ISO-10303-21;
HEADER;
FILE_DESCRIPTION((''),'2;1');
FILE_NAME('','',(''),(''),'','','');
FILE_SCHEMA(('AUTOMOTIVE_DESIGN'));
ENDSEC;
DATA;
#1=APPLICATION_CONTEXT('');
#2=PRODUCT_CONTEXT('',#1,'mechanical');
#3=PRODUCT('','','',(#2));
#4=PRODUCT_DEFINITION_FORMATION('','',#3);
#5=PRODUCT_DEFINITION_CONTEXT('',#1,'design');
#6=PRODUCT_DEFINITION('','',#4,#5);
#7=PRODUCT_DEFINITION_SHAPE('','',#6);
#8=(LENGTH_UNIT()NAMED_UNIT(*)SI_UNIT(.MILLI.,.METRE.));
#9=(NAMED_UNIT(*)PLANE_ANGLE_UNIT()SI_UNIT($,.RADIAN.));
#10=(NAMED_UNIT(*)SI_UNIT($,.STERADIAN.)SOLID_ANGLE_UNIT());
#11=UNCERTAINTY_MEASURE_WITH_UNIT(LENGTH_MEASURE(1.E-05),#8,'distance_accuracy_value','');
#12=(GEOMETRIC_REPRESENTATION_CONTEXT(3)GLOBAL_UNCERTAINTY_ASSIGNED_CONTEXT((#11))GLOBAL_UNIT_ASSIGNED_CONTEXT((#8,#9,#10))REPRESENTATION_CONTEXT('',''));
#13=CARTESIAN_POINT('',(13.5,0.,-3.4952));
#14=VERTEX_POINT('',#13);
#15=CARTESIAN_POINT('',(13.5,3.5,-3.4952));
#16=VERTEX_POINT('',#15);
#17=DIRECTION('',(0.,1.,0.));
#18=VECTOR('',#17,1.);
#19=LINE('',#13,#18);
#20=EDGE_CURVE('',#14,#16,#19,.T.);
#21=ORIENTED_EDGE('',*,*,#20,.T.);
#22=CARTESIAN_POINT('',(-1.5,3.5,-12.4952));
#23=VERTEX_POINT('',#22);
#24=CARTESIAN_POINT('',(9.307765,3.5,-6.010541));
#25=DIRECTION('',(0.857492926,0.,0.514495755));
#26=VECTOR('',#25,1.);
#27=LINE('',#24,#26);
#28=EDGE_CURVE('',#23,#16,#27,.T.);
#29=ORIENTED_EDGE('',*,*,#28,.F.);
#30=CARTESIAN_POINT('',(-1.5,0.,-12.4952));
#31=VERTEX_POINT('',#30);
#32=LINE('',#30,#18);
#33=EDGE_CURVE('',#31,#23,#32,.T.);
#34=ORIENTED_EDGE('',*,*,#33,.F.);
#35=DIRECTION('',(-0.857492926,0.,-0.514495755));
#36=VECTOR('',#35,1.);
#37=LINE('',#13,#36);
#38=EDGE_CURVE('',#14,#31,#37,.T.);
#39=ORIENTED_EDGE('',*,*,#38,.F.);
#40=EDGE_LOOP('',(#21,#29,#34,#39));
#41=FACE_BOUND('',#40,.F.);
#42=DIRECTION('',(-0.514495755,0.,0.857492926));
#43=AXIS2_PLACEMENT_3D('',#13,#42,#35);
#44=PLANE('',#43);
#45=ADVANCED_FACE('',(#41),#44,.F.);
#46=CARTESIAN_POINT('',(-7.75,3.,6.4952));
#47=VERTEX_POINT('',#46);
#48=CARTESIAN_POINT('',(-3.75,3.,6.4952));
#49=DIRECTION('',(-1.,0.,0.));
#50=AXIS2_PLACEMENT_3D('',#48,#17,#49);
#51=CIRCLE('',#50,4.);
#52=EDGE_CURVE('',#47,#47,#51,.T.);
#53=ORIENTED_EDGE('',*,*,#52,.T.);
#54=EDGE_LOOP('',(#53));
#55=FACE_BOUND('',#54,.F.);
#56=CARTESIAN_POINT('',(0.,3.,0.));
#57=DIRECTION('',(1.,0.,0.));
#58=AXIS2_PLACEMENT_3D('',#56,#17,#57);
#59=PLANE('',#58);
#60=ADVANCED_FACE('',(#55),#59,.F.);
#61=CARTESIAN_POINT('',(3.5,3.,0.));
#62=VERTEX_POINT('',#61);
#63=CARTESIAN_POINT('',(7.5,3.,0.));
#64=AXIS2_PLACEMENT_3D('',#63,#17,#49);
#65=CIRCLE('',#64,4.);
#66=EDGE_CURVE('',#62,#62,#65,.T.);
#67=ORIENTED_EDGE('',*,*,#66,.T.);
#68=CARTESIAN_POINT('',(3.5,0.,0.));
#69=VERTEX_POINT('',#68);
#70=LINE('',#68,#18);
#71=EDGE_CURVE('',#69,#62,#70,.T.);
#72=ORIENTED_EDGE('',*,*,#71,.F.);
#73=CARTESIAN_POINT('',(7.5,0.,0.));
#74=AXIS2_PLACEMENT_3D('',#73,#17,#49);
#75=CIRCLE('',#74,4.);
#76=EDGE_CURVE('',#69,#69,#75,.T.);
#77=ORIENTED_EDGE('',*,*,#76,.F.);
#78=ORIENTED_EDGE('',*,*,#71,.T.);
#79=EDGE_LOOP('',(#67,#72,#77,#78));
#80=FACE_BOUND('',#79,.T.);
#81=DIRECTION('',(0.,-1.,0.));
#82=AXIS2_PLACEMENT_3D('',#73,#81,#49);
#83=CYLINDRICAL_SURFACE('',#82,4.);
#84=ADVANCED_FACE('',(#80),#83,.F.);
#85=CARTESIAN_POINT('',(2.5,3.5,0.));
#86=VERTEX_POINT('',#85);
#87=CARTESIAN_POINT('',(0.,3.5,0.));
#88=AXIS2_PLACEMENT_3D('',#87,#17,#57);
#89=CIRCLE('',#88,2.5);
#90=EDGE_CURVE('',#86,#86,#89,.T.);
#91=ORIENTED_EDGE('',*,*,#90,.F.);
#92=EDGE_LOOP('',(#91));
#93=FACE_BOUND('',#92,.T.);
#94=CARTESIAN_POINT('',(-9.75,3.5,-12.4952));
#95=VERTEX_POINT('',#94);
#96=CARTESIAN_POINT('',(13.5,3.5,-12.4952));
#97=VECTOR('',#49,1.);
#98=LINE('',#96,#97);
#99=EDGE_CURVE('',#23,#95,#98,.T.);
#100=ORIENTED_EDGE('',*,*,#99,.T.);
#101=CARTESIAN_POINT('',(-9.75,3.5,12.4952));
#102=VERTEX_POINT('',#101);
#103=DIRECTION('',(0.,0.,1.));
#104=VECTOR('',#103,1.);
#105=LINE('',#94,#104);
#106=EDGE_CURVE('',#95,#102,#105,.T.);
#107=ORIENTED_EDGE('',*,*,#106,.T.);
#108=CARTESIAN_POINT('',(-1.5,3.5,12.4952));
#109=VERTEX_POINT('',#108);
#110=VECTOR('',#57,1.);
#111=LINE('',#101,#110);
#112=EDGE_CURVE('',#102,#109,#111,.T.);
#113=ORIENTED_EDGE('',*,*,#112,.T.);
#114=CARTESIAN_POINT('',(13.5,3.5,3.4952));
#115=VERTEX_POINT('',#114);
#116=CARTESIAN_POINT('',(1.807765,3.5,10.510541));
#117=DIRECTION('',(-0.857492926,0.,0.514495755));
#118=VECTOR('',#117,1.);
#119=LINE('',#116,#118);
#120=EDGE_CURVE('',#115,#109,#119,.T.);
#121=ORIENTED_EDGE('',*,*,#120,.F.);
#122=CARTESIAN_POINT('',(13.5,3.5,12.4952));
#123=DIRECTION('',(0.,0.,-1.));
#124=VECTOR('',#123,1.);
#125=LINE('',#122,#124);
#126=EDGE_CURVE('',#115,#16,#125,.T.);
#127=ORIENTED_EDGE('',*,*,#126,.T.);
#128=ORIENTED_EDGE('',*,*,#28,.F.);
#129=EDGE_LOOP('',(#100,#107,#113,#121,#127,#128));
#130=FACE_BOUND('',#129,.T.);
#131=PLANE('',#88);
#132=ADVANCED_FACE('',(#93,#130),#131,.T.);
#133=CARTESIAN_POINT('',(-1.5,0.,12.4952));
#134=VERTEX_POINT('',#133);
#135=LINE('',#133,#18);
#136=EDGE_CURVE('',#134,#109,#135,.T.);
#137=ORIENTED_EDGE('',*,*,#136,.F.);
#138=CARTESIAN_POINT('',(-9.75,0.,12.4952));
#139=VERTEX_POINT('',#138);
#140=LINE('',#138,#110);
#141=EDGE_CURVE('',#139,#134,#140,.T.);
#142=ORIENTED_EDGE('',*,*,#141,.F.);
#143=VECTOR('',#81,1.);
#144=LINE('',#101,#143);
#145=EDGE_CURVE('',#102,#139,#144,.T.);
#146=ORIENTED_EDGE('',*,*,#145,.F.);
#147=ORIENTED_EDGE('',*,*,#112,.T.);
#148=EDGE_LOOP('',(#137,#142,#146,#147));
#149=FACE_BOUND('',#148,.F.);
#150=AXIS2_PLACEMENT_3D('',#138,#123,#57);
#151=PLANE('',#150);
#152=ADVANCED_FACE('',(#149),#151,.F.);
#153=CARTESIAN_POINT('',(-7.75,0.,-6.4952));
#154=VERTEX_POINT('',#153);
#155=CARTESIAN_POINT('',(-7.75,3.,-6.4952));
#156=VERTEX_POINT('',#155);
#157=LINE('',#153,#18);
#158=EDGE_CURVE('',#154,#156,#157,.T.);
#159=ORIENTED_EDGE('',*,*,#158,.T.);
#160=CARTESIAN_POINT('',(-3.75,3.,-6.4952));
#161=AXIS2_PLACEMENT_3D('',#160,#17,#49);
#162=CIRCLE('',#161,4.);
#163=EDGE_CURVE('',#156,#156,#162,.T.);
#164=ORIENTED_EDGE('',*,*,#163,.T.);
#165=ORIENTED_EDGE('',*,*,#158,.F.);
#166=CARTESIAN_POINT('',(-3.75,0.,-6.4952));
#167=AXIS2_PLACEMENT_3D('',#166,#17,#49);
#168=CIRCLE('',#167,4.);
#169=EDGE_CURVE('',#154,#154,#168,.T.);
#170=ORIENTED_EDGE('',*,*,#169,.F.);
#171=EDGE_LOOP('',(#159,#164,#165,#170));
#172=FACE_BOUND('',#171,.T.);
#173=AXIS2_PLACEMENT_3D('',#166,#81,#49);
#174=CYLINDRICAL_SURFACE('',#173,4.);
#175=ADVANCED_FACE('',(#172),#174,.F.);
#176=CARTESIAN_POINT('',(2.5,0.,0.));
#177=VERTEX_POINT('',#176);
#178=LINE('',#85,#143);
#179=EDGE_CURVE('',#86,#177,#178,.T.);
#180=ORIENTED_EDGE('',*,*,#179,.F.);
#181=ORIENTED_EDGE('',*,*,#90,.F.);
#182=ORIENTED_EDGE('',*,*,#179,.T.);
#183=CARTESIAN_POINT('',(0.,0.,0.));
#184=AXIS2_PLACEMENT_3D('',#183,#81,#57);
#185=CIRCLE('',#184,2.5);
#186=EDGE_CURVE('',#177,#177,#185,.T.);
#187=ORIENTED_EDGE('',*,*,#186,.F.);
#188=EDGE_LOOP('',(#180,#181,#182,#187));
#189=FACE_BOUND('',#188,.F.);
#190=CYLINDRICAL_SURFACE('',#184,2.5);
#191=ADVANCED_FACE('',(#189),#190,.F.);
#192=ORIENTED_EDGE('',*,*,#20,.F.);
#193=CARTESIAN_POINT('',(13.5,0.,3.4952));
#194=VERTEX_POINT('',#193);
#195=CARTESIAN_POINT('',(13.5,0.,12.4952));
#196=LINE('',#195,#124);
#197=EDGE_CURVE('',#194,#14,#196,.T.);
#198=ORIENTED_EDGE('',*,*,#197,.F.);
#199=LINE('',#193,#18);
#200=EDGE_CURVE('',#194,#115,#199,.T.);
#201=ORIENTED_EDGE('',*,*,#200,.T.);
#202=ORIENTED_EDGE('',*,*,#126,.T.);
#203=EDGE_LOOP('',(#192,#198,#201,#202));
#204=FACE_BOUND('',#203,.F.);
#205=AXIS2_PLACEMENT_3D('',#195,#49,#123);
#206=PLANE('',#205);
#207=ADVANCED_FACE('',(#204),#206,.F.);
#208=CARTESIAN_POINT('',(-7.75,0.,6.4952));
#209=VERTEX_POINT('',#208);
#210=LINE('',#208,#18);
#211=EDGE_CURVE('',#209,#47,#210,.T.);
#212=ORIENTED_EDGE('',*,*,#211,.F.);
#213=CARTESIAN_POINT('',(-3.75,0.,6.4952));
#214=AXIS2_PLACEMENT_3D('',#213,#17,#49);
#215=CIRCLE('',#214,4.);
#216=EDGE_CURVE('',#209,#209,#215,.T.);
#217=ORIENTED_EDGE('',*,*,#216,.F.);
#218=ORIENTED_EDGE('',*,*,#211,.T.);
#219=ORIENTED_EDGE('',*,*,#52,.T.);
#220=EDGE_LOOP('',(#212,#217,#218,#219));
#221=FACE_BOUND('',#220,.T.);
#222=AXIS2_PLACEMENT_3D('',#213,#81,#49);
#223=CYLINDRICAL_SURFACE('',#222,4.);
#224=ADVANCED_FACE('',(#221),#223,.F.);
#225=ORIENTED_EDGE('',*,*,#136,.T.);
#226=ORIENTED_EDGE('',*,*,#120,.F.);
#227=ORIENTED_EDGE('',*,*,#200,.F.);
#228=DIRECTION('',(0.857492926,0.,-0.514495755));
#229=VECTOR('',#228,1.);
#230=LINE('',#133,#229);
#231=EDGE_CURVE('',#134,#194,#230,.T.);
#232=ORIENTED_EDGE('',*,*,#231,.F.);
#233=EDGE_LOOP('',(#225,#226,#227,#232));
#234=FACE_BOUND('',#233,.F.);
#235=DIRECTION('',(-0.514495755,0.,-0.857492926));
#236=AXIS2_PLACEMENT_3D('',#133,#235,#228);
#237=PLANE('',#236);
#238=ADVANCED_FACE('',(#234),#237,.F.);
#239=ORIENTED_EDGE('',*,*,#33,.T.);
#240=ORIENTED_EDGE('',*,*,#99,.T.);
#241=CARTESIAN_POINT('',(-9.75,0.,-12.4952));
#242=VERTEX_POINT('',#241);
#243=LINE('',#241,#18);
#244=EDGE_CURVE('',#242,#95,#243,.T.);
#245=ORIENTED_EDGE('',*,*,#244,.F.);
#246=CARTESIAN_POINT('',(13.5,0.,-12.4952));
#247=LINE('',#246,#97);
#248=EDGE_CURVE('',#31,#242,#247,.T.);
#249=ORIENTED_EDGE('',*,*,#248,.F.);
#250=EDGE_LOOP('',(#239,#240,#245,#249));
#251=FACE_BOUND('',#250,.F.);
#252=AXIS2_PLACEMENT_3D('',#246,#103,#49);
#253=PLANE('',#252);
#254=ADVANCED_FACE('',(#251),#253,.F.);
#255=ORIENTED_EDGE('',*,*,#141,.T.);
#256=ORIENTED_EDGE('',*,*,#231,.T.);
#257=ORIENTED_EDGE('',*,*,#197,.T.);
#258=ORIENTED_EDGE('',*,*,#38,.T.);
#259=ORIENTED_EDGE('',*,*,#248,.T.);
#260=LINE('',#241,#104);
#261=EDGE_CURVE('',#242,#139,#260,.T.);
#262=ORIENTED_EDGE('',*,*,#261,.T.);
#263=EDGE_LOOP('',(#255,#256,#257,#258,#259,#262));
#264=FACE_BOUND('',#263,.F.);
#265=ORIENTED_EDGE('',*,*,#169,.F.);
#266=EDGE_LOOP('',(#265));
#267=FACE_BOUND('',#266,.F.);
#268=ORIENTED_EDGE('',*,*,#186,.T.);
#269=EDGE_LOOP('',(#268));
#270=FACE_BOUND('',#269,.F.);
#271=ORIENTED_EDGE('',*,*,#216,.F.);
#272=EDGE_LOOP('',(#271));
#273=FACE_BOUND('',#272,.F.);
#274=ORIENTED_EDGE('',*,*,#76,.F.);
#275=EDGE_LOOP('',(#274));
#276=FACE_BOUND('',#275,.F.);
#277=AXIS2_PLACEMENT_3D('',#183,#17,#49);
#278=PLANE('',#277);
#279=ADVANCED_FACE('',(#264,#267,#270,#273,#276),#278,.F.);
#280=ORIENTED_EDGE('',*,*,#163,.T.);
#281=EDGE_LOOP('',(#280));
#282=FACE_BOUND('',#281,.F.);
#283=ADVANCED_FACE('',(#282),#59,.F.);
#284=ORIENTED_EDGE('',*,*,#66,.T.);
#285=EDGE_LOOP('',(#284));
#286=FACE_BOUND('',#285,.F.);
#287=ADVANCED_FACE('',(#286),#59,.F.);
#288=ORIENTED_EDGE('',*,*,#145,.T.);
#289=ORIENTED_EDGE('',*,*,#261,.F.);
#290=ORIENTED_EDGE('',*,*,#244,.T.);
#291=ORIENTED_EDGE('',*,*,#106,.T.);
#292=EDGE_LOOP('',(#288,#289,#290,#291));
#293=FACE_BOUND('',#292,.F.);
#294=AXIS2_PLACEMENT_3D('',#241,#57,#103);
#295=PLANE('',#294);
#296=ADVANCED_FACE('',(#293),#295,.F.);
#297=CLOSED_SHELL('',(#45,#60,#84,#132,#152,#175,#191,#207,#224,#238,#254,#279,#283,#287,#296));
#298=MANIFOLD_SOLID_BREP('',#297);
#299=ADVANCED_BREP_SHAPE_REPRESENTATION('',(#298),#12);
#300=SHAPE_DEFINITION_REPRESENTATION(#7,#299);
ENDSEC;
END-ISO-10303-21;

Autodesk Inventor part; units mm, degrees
ref_plane "YZ Plane" through (0, 0, 0) normal (1, 0, 0) x (0, 1, 0)
ref_plane "XZ Plane" through (0, 0, 0) normal (0, 1, 0) x (-1, 0, 0)
ref_plane "XY Plane" through (0, 0, 0) normal (0, 0, 1) x (1, 0, 0)
sketch "Sketch1" plane through (0, 0, 0) normal (0, 1, 0) x (-1, 0, 0)
  line L0 (-13.5, -12.4952) -> (9.75, -12.4952)
  line L1 (9.75, -12.4952) -> (9.75, 12.4952)
  line L2 (9.75, 12.4952) -> (-13.5, 12.4952)
  line L3 (-13.5, 12.4952) -> (-13.5, -12.4952)
  circle A0 centre (-7.5, 0) radius 4
  circle A1 centre (3.75, -6.4952) radius 4
  circle A2 centre (3.75, 6.4952) radius 4
  line L4 (-2.75, -1.5877) -> (-2.75, 1.5877)
  line L5 (-2.75, 1.5877) -> (0, 3.1754)
  line L6 (0, 3.1754) -> (2.75, 1.5877)
  line L7 (2.75, 1.5877) -> (2.75, -1.5877)
  line L8 (2.75, -1.5877) -> (0, -3.1754)
  line L9 (0, -3.1754) -> (-2.75, -1.5877)
  circle A3 centre (0, 0) radius 7.5 construction
  dimension "d11" = 15
  dimension "d2" = 8
  dimension "d6" = 360
  dimension "d8" = 6
  dimension "d9" = 6
  dimension "d10" = 5.5
  dimension "d12" = 6
  dimension "d13" = 6
extrude "Extrusion1" add sketch "Sketch1" along normal blind 3 contours L3 L2 L1 L0 | L4 L5 L6 L7 L8 L9
sketch "Sketch2" plane through (0, 3, 0) normal (0, 1, 0) x (1, 0, 0)
  circle A0 centre (-3.75, -6.4952) radius 4 projected
  circle A1 centre (-3.75, 6.4952) radius 4 projected
  circle A2 centre (7.5, 0) radius 4 projected
  line L0 (13.5, 12.4952) -> (-9.75, 12.4952) projected
  line L1 (-9.75, 12.4952) -> (-9.75, -12.4952) projected
  line L2 (-9.75, -12.4952) -> (13.5, -12.4952) projected
  line L3 (13.5, -12.4952) -> (13.5, 12.4952) projected
  circle A3 centre (0, 0) radius 2.5
  dimension "d16" = 5
extrude "Extrusion2" add sketch "Sketch2" along normal blind 0.5 contours A0 | A1 | A2 | L3 L2 L1 L0
sketch "Sketch3" plane through (0, 0, 0) normal (0, -1, 0) x (1, 0, 0)
  circle A0 centre (-3.75, 6.4952) radius 4 projected
  circle A1 centre (-3.75, -6.4952) radius 4 projected
  circle A2 centre (7.5, 0) radius 4 projected
  line L0 (13.5, -12.4952) -> (-9.75, -12.4952) projected
  line L1 (13.5, 12.4952) -> (13.5, -12.4952) projected
  line L2 (-9.75, 12.4952) -> (13.5, 12.4952) projected
  line L3 (-9.75, -12.4952) -> (-9.75, 12.4952) construction
  line L4 (-1.5, 12.4952) -> (13.5, 3.4952)
  line L5 (13.5, 12.4952) -> (13.5, -12.4952) projected
  line L6 (13.5, -3.4952) -> (-1.5, -12.4952)
  circle A3 centre (0, 0) radius 2.5 projected
  dimension "d19" = 9
  dimension "d20" = 9
  dimension "d21" = 15
  dimension "d22" = 15
extrude "Extrusion3" cut sketch "Sketch3" against normal through all contours L4 L2 L1 | L0 L6 L1 | A3
properties part number "30_Cube_Z_Focus_Drylin_NEMA_slide_part1"
